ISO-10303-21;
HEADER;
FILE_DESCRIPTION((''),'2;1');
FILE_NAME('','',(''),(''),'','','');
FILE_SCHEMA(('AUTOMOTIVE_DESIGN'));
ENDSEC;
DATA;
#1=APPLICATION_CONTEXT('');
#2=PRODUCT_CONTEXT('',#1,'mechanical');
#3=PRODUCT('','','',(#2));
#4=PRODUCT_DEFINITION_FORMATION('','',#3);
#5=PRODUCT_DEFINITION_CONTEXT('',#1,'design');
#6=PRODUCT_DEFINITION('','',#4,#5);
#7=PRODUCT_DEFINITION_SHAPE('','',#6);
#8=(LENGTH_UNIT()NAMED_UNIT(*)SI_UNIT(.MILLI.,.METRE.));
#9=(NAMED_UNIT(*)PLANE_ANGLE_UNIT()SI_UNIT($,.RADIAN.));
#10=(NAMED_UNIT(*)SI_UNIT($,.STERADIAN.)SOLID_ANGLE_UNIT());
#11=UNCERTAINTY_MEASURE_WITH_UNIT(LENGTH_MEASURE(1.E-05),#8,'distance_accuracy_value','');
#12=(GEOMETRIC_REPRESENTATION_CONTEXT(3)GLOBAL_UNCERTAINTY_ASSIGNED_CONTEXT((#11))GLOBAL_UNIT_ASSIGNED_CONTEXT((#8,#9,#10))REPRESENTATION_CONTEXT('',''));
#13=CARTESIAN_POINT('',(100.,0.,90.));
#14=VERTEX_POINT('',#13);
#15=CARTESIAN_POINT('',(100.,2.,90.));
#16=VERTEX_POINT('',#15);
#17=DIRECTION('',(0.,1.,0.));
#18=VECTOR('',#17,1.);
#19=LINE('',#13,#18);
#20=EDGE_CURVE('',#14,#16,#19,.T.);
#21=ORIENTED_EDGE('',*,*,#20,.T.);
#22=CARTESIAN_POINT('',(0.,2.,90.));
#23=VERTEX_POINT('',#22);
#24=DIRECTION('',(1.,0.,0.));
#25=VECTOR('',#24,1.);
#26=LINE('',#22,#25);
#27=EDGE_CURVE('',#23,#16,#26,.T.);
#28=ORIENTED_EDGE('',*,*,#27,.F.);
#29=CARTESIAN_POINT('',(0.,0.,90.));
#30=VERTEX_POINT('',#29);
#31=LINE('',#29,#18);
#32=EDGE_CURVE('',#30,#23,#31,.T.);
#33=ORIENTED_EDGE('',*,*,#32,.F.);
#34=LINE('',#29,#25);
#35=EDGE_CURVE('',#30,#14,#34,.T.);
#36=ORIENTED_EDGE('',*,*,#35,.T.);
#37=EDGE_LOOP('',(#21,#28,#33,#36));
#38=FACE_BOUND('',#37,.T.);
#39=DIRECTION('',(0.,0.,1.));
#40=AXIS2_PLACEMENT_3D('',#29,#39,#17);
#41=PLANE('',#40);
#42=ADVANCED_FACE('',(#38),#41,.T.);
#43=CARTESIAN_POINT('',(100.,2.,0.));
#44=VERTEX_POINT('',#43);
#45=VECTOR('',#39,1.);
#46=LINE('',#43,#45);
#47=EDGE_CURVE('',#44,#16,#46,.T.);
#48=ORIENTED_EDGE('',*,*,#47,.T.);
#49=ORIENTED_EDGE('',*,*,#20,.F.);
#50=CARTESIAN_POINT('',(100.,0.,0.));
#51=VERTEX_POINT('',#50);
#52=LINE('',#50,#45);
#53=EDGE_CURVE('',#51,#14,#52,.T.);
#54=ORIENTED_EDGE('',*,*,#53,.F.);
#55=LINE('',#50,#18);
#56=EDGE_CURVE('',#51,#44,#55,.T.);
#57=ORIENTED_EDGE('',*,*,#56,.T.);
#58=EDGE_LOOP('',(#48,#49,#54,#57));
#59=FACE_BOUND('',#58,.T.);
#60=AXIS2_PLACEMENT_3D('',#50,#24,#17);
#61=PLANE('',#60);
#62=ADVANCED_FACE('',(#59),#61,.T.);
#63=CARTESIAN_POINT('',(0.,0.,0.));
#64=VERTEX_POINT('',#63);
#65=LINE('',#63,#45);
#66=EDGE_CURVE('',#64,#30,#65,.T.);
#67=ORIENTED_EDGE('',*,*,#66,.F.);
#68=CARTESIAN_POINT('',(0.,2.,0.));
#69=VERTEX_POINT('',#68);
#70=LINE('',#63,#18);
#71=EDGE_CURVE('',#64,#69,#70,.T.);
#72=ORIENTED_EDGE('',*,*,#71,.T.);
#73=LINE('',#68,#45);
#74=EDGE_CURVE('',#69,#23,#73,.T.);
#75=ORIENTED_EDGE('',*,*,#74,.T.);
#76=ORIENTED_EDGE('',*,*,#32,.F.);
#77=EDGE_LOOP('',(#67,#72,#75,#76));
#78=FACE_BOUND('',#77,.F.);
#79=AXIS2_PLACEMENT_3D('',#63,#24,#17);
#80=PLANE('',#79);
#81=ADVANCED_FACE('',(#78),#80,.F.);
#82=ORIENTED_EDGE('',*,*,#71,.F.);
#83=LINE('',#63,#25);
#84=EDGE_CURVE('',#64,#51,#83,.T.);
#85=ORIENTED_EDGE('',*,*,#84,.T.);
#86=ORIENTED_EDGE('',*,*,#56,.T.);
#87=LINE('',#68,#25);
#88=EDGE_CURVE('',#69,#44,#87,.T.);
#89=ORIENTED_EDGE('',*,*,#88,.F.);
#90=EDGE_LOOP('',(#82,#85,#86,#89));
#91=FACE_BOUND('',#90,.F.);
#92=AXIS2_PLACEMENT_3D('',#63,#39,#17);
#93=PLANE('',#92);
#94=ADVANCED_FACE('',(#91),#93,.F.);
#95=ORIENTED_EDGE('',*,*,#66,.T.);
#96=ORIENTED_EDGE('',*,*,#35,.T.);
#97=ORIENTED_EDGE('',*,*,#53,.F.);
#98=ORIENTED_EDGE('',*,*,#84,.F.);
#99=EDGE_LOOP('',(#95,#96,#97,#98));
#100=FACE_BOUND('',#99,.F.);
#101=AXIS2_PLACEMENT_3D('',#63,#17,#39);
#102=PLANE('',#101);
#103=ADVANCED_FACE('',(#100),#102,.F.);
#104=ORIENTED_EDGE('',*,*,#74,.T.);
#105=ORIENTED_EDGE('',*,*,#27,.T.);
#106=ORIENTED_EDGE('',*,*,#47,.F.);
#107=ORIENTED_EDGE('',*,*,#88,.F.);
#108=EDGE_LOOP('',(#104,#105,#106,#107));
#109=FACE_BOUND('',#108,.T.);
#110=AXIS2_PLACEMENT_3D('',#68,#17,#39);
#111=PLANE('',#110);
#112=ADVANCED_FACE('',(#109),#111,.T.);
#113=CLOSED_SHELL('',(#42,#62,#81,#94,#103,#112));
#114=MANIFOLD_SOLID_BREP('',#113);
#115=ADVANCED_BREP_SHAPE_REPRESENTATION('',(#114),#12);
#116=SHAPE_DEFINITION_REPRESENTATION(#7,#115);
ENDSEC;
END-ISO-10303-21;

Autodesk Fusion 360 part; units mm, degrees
box "BoxPrimitive1" add length 90 width 100 height 2 placed x (0, 0, 1) y (1, 0, 0) z (0, 1, 0) at (0, 0, 0)
